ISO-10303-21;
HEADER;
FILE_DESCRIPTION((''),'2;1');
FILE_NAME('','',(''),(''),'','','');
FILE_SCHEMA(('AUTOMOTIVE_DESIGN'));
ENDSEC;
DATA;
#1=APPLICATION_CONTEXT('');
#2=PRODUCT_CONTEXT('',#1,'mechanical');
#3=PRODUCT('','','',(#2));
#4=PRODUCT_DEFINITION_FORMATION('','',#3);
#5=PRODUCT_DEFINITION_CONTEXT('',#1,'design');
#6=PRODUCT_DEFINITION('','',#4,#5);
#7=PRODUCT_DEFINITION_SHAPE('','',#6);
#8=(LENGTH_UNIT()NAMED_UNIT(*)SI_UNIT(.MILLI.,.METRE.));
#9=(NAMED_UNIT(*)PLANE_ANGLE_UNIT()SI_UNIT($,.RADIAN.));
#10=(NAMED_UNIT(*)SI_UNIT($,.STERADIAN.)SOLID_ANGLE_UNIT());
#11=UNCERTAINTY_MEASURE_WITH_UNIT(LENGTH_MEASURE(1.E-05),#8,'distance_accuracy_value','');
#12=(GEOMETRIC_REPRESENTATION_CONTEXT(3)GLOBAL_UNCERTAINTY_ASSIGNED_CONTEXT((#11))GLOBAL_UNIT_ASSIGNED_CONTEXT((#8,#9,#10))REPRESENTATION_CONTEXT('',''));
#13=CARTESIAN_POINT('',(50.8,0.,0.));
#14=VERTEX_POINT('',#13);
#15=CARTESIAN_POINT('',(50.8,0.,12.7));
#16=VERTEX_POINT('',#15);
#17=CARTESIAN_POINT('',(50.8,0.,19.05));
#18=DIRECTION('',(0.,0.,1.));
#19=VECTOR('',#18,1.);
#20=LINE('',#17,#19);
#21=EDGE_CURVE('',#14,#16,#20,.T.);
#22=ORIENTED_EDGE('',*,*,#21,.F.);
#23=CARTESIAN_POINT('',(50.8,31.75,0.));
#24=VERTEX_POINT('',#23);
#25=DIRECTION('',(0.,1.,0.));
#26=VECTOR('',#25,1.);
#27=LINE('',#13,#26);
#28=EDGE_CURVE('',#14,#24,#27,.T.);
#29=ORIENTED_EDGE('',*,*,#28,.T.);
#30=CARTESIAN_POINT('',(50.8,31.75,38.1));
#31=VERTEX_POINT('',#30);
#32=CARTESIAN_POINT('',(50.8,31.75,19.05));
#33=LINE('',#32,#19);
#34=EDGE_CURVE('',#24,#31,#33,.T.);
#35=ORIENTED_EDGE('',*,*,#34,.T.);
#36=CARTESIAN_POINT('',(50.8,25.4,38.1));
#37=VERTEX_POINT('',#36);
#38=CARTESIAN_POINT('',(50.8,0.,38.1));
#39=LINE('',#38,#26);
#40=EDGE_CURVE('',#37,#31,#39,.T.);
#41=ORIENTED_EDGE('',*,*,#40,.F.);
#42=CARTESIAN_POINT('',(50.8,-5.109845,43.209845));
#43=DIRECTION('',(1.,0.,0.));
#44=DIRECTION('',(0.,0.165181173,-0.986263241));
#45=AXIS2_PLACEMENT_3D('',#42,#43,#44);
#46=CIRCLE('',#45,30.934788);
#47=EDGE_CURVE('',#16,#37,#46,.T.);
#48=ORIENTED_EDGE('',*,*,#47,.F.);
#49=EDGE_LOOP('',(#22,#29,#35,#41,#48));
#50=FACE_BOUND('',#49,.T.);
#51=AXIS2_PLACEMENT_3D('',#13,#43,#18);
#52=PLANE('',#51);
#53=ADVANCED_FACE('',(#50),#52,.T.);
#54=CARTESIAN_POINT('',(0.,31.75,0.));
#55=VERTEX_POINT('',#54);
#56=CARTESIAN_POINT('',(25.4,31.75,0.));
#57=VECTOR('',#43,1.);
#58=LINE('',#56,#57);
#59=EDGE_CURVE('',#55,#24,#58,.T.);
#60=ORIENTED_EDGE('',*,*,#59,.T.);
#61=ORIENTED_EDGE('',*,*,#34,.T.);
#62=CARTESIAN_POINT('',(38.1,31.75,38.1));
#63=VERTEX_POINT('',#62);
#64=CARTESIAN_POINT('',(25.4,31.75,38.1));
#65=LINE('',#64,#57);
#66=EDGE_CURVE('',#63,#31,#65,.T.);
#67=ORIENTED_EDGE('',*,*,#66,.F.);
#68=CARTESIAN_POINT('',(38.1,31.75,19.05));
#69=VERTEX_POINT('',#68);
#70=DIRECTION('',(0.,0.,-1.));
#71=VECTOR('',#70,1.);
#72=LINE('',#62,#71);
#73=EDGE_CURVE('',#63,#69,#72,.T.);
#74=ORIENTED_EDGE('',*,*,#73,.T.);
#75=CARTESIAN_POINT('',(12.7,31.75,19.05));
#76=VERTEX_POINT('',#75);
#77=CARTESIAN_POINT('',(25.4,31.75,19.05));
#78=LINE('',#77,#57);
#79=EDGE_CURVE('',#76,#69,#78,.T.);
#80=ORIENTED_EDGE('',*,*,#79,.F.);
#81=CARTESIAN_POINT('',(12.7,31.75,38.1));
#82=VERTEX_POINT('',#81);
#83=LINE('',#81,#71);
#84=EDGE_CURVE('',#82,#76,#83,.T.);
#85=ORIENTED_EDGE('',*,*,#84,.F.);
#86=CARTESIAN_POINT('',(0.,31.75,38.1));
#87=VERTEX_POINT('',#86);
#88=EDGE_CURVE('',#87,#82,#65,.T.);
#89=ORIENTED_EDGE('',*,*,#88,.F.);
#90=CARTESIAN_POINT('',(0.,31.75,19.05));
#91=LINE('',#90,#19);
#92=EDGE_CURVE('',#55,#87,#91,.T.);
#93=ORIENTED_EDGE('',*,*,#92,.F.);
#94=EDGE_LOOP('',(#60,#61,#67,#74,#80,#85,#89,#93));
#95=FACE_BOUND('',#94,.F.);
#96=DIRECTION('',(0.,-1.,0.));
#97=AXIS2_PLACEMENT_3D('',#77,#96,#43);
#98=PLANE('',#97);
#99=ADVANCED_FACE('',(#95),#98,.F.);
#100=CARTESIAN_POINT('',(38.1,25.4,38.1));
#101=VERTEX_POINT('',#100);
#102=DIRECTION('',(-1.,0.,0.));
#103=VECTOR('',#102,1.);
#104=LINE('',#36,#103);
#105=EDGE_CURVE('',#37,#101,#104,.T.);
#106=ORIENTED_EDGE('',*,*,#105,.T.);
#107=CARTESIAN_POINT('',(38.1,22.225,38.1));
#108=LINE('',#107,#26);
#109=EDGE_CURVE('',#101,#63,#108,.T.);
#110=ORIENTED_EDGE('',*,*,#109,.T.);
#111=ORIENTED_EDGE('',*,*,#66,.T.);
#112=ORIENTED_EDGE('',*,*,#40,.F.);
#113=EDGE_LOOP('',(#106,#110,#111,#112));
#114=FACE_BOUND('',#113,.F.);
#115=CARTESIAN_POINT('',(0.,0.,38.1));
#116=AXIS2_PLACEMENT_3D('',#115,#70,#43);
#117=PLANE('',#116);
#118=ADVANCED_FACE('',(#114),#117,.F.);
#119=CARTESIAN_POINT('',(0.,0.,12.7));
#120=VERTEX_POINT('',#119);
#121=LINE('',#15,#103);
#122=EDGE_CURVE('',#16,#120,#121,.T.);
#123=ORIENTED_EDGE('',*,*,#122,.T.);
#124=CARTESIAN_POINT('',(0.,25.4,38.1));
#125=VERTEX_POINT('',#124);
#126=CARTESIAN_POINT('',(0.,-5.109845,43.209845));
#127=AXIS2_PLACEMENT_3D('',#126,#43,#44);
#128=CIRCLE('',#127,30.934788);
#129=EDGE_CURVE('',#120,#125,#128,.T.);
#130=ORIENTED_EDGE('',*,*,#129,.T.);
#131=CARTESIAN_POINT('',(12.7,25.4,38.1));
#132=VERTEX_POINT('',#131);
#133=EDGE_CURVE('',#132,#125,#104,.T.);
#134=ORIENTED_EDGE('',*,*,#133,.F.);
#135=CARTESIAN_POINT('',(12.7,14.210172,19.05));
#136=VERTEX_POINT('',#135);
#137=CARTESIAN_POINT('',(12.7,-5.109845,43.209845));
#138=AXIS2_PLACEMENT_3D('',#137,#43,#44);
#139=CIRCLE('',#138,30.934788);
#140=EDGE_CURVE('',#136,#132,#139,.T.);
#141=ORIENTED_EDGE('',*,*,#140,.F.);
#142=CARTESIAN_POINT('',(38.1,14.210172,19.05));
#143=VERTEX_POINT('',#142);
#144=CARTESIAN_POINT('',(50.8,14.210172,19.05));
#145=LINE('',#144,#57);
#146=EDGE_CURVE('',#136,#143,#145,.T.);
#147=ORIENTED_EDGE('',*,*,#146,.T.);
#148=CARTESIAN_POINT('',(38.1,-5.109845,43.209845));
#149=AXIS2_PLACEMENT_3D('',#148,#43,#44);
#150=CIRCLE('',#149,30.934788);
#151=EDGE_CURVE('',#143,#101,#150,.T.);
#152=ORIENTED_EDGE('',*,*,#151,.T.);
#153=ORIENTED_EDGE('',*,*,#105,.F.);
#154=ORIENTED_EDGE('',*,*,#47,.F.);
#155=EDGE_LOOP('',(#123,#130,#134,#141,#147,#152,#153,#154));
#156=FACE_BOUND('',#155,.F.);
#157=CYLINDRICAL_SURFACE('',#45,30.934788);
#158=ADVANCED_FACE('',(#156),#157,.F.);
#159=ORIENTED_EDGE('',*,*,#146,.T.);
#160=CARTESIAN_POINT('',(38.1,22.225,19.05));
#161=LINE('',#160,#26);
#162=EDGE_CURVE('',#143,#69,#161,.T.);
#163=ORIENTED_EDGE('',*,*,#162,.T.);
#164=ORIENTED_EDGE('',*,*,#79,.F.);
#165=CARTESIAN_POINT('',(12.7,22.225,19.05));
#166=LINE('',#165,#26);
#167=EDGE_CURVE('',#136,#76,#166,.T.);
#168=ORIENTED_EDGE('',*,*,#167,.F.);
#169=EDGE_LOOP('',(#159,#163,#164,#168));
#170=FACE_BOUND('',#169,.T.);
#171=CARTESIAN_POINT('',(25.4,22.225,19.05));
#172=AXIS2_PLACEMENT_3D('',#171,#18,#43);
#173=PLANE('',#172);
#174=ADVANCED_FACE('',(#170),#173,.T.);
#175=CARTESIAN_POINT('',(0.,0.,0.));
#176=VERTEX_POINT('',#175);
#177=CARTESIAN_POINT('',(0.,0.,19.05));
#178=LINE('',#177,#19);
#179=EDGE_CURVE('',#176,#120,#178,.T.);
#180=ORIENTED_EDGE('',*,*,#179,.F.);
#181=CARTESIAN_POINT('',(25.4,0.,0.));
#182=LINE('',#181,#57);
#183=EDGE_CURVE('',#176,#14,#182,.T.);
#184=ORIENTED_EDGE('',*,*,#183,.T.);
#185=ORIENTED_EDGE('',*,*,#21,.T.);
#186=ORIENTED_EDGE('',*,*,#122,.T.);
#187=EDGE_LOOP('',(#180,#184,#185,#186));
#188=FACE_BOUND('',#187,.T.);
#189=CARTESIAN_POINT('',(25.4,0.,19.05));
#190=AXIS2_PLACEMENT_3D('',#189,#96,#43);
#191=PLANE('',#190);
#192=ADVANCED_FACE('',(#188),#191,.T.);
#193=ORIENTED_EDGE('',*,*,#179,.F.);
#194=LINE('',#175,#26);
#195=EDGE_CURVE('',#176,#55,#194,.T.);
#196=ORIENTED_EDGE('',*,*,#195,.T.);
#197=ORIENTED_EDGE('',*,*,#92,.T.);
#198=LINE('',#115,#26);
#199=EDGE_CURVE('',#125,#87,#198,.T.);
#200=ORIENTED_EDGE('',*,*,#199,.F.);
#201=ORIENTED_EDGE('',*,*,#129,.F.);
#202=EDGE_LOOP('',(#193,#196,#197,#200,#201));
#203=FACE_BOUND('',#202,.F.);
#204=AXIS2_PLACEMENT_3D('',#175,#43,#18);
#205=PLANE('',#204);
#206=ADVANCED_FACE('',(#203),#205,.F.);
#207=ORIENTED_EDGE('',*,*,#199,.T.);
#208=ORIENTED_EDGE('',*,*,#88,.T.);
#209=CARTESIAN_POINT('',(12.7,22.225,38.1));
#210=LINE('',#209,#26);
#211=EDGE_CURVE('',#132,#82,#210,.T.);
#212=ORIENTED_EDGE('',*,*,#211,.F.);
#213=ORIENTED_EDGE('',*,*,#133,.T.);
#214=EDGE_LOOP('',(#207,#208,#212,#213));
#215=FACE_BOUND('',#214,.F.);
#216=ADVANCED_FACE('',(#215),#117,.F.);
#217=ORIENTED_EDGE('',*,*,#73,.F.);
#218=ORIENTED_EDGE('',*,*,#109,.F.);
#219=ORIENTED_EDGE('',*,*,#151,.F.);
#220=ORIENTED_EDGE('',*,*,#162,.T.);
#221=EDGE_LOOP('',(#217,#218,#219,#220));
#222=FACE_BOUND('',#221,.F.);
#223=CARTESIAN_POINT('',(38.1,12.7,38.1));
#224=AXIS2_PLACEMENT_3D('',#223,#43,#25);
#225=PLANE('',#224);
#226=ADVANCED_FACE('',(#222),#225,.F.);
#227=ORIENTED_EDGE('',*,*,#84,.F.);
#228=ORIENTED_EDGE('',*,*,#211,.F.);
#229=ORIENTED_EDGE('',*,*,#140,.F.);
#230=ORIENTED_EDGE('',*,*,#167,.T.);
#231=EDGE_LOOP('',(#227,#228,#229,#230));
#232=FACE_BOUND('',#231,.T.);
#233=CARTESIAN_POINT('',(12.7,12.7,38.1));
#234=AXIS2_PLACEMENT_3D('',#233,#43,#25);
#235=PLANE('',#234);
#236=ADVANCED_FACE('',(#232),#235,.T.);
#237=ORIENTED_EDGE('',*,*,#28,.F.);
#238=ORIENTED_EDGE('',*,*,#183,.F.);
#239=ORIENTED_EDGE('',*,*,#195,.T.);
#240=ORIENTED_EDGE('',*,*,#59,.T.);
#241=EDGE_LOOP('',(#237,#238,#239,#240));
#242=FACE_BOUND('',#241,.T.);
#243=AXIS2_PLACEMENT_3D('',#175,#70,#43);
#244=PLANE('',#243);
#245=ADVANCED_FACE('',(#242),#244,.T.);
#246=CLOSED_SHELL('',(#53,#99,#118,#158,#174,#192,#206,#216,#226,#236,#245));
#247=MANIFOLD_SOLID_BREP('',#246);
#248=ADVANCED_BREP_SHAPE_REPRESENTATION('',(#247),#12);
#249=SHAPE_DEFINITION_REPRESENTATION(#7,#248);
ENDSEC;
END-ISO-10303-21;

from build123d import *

# Parameters (mm, degrees)
F0_W     = 50.8
F0_H     = 38.1
F1_DEPTH = 31.75
F2_W     = 25.4
F2_H     = 19.05
F3_DEPTH = 19.05
F5_DEPTH = 50.8


with BuildPart() as f1:
    # F0 (on Front) → F1 (new body)
    with BuildSketch(Plane.XZ):
        with Locations((25.4, 19.05)):
            Rectangle(F0_W, F0_H)
    extrude(amount=-F1_DEPTH)

    # F2 (on face) → F3 (cut)
    with BuildSketch(Plane.XY.offset(38.1)):
        with Locations((25.4, 22.225)):
            Rectangle(F2_W, F2_H)
    extrude(amount=-F3_DEPTH, mode=Mode.SUBTRACT)

    # F4 (on face) → F5 (cut)
    with BuildSketch(Plane.YZ.offset(50.8)):
        with BuildLine():
            Line((0, 38.1), (0, 12.7))
            ThreePointArc((0, 12.7), (16.764354, 21.335646), (25.4, 38.1))
            Line((25.4, 38.1), (0, 38.1))
        make_face()
    extrude(amount=-F5_DEPTH, mode=Mode.SUBTRACT)


solid = f1.part
